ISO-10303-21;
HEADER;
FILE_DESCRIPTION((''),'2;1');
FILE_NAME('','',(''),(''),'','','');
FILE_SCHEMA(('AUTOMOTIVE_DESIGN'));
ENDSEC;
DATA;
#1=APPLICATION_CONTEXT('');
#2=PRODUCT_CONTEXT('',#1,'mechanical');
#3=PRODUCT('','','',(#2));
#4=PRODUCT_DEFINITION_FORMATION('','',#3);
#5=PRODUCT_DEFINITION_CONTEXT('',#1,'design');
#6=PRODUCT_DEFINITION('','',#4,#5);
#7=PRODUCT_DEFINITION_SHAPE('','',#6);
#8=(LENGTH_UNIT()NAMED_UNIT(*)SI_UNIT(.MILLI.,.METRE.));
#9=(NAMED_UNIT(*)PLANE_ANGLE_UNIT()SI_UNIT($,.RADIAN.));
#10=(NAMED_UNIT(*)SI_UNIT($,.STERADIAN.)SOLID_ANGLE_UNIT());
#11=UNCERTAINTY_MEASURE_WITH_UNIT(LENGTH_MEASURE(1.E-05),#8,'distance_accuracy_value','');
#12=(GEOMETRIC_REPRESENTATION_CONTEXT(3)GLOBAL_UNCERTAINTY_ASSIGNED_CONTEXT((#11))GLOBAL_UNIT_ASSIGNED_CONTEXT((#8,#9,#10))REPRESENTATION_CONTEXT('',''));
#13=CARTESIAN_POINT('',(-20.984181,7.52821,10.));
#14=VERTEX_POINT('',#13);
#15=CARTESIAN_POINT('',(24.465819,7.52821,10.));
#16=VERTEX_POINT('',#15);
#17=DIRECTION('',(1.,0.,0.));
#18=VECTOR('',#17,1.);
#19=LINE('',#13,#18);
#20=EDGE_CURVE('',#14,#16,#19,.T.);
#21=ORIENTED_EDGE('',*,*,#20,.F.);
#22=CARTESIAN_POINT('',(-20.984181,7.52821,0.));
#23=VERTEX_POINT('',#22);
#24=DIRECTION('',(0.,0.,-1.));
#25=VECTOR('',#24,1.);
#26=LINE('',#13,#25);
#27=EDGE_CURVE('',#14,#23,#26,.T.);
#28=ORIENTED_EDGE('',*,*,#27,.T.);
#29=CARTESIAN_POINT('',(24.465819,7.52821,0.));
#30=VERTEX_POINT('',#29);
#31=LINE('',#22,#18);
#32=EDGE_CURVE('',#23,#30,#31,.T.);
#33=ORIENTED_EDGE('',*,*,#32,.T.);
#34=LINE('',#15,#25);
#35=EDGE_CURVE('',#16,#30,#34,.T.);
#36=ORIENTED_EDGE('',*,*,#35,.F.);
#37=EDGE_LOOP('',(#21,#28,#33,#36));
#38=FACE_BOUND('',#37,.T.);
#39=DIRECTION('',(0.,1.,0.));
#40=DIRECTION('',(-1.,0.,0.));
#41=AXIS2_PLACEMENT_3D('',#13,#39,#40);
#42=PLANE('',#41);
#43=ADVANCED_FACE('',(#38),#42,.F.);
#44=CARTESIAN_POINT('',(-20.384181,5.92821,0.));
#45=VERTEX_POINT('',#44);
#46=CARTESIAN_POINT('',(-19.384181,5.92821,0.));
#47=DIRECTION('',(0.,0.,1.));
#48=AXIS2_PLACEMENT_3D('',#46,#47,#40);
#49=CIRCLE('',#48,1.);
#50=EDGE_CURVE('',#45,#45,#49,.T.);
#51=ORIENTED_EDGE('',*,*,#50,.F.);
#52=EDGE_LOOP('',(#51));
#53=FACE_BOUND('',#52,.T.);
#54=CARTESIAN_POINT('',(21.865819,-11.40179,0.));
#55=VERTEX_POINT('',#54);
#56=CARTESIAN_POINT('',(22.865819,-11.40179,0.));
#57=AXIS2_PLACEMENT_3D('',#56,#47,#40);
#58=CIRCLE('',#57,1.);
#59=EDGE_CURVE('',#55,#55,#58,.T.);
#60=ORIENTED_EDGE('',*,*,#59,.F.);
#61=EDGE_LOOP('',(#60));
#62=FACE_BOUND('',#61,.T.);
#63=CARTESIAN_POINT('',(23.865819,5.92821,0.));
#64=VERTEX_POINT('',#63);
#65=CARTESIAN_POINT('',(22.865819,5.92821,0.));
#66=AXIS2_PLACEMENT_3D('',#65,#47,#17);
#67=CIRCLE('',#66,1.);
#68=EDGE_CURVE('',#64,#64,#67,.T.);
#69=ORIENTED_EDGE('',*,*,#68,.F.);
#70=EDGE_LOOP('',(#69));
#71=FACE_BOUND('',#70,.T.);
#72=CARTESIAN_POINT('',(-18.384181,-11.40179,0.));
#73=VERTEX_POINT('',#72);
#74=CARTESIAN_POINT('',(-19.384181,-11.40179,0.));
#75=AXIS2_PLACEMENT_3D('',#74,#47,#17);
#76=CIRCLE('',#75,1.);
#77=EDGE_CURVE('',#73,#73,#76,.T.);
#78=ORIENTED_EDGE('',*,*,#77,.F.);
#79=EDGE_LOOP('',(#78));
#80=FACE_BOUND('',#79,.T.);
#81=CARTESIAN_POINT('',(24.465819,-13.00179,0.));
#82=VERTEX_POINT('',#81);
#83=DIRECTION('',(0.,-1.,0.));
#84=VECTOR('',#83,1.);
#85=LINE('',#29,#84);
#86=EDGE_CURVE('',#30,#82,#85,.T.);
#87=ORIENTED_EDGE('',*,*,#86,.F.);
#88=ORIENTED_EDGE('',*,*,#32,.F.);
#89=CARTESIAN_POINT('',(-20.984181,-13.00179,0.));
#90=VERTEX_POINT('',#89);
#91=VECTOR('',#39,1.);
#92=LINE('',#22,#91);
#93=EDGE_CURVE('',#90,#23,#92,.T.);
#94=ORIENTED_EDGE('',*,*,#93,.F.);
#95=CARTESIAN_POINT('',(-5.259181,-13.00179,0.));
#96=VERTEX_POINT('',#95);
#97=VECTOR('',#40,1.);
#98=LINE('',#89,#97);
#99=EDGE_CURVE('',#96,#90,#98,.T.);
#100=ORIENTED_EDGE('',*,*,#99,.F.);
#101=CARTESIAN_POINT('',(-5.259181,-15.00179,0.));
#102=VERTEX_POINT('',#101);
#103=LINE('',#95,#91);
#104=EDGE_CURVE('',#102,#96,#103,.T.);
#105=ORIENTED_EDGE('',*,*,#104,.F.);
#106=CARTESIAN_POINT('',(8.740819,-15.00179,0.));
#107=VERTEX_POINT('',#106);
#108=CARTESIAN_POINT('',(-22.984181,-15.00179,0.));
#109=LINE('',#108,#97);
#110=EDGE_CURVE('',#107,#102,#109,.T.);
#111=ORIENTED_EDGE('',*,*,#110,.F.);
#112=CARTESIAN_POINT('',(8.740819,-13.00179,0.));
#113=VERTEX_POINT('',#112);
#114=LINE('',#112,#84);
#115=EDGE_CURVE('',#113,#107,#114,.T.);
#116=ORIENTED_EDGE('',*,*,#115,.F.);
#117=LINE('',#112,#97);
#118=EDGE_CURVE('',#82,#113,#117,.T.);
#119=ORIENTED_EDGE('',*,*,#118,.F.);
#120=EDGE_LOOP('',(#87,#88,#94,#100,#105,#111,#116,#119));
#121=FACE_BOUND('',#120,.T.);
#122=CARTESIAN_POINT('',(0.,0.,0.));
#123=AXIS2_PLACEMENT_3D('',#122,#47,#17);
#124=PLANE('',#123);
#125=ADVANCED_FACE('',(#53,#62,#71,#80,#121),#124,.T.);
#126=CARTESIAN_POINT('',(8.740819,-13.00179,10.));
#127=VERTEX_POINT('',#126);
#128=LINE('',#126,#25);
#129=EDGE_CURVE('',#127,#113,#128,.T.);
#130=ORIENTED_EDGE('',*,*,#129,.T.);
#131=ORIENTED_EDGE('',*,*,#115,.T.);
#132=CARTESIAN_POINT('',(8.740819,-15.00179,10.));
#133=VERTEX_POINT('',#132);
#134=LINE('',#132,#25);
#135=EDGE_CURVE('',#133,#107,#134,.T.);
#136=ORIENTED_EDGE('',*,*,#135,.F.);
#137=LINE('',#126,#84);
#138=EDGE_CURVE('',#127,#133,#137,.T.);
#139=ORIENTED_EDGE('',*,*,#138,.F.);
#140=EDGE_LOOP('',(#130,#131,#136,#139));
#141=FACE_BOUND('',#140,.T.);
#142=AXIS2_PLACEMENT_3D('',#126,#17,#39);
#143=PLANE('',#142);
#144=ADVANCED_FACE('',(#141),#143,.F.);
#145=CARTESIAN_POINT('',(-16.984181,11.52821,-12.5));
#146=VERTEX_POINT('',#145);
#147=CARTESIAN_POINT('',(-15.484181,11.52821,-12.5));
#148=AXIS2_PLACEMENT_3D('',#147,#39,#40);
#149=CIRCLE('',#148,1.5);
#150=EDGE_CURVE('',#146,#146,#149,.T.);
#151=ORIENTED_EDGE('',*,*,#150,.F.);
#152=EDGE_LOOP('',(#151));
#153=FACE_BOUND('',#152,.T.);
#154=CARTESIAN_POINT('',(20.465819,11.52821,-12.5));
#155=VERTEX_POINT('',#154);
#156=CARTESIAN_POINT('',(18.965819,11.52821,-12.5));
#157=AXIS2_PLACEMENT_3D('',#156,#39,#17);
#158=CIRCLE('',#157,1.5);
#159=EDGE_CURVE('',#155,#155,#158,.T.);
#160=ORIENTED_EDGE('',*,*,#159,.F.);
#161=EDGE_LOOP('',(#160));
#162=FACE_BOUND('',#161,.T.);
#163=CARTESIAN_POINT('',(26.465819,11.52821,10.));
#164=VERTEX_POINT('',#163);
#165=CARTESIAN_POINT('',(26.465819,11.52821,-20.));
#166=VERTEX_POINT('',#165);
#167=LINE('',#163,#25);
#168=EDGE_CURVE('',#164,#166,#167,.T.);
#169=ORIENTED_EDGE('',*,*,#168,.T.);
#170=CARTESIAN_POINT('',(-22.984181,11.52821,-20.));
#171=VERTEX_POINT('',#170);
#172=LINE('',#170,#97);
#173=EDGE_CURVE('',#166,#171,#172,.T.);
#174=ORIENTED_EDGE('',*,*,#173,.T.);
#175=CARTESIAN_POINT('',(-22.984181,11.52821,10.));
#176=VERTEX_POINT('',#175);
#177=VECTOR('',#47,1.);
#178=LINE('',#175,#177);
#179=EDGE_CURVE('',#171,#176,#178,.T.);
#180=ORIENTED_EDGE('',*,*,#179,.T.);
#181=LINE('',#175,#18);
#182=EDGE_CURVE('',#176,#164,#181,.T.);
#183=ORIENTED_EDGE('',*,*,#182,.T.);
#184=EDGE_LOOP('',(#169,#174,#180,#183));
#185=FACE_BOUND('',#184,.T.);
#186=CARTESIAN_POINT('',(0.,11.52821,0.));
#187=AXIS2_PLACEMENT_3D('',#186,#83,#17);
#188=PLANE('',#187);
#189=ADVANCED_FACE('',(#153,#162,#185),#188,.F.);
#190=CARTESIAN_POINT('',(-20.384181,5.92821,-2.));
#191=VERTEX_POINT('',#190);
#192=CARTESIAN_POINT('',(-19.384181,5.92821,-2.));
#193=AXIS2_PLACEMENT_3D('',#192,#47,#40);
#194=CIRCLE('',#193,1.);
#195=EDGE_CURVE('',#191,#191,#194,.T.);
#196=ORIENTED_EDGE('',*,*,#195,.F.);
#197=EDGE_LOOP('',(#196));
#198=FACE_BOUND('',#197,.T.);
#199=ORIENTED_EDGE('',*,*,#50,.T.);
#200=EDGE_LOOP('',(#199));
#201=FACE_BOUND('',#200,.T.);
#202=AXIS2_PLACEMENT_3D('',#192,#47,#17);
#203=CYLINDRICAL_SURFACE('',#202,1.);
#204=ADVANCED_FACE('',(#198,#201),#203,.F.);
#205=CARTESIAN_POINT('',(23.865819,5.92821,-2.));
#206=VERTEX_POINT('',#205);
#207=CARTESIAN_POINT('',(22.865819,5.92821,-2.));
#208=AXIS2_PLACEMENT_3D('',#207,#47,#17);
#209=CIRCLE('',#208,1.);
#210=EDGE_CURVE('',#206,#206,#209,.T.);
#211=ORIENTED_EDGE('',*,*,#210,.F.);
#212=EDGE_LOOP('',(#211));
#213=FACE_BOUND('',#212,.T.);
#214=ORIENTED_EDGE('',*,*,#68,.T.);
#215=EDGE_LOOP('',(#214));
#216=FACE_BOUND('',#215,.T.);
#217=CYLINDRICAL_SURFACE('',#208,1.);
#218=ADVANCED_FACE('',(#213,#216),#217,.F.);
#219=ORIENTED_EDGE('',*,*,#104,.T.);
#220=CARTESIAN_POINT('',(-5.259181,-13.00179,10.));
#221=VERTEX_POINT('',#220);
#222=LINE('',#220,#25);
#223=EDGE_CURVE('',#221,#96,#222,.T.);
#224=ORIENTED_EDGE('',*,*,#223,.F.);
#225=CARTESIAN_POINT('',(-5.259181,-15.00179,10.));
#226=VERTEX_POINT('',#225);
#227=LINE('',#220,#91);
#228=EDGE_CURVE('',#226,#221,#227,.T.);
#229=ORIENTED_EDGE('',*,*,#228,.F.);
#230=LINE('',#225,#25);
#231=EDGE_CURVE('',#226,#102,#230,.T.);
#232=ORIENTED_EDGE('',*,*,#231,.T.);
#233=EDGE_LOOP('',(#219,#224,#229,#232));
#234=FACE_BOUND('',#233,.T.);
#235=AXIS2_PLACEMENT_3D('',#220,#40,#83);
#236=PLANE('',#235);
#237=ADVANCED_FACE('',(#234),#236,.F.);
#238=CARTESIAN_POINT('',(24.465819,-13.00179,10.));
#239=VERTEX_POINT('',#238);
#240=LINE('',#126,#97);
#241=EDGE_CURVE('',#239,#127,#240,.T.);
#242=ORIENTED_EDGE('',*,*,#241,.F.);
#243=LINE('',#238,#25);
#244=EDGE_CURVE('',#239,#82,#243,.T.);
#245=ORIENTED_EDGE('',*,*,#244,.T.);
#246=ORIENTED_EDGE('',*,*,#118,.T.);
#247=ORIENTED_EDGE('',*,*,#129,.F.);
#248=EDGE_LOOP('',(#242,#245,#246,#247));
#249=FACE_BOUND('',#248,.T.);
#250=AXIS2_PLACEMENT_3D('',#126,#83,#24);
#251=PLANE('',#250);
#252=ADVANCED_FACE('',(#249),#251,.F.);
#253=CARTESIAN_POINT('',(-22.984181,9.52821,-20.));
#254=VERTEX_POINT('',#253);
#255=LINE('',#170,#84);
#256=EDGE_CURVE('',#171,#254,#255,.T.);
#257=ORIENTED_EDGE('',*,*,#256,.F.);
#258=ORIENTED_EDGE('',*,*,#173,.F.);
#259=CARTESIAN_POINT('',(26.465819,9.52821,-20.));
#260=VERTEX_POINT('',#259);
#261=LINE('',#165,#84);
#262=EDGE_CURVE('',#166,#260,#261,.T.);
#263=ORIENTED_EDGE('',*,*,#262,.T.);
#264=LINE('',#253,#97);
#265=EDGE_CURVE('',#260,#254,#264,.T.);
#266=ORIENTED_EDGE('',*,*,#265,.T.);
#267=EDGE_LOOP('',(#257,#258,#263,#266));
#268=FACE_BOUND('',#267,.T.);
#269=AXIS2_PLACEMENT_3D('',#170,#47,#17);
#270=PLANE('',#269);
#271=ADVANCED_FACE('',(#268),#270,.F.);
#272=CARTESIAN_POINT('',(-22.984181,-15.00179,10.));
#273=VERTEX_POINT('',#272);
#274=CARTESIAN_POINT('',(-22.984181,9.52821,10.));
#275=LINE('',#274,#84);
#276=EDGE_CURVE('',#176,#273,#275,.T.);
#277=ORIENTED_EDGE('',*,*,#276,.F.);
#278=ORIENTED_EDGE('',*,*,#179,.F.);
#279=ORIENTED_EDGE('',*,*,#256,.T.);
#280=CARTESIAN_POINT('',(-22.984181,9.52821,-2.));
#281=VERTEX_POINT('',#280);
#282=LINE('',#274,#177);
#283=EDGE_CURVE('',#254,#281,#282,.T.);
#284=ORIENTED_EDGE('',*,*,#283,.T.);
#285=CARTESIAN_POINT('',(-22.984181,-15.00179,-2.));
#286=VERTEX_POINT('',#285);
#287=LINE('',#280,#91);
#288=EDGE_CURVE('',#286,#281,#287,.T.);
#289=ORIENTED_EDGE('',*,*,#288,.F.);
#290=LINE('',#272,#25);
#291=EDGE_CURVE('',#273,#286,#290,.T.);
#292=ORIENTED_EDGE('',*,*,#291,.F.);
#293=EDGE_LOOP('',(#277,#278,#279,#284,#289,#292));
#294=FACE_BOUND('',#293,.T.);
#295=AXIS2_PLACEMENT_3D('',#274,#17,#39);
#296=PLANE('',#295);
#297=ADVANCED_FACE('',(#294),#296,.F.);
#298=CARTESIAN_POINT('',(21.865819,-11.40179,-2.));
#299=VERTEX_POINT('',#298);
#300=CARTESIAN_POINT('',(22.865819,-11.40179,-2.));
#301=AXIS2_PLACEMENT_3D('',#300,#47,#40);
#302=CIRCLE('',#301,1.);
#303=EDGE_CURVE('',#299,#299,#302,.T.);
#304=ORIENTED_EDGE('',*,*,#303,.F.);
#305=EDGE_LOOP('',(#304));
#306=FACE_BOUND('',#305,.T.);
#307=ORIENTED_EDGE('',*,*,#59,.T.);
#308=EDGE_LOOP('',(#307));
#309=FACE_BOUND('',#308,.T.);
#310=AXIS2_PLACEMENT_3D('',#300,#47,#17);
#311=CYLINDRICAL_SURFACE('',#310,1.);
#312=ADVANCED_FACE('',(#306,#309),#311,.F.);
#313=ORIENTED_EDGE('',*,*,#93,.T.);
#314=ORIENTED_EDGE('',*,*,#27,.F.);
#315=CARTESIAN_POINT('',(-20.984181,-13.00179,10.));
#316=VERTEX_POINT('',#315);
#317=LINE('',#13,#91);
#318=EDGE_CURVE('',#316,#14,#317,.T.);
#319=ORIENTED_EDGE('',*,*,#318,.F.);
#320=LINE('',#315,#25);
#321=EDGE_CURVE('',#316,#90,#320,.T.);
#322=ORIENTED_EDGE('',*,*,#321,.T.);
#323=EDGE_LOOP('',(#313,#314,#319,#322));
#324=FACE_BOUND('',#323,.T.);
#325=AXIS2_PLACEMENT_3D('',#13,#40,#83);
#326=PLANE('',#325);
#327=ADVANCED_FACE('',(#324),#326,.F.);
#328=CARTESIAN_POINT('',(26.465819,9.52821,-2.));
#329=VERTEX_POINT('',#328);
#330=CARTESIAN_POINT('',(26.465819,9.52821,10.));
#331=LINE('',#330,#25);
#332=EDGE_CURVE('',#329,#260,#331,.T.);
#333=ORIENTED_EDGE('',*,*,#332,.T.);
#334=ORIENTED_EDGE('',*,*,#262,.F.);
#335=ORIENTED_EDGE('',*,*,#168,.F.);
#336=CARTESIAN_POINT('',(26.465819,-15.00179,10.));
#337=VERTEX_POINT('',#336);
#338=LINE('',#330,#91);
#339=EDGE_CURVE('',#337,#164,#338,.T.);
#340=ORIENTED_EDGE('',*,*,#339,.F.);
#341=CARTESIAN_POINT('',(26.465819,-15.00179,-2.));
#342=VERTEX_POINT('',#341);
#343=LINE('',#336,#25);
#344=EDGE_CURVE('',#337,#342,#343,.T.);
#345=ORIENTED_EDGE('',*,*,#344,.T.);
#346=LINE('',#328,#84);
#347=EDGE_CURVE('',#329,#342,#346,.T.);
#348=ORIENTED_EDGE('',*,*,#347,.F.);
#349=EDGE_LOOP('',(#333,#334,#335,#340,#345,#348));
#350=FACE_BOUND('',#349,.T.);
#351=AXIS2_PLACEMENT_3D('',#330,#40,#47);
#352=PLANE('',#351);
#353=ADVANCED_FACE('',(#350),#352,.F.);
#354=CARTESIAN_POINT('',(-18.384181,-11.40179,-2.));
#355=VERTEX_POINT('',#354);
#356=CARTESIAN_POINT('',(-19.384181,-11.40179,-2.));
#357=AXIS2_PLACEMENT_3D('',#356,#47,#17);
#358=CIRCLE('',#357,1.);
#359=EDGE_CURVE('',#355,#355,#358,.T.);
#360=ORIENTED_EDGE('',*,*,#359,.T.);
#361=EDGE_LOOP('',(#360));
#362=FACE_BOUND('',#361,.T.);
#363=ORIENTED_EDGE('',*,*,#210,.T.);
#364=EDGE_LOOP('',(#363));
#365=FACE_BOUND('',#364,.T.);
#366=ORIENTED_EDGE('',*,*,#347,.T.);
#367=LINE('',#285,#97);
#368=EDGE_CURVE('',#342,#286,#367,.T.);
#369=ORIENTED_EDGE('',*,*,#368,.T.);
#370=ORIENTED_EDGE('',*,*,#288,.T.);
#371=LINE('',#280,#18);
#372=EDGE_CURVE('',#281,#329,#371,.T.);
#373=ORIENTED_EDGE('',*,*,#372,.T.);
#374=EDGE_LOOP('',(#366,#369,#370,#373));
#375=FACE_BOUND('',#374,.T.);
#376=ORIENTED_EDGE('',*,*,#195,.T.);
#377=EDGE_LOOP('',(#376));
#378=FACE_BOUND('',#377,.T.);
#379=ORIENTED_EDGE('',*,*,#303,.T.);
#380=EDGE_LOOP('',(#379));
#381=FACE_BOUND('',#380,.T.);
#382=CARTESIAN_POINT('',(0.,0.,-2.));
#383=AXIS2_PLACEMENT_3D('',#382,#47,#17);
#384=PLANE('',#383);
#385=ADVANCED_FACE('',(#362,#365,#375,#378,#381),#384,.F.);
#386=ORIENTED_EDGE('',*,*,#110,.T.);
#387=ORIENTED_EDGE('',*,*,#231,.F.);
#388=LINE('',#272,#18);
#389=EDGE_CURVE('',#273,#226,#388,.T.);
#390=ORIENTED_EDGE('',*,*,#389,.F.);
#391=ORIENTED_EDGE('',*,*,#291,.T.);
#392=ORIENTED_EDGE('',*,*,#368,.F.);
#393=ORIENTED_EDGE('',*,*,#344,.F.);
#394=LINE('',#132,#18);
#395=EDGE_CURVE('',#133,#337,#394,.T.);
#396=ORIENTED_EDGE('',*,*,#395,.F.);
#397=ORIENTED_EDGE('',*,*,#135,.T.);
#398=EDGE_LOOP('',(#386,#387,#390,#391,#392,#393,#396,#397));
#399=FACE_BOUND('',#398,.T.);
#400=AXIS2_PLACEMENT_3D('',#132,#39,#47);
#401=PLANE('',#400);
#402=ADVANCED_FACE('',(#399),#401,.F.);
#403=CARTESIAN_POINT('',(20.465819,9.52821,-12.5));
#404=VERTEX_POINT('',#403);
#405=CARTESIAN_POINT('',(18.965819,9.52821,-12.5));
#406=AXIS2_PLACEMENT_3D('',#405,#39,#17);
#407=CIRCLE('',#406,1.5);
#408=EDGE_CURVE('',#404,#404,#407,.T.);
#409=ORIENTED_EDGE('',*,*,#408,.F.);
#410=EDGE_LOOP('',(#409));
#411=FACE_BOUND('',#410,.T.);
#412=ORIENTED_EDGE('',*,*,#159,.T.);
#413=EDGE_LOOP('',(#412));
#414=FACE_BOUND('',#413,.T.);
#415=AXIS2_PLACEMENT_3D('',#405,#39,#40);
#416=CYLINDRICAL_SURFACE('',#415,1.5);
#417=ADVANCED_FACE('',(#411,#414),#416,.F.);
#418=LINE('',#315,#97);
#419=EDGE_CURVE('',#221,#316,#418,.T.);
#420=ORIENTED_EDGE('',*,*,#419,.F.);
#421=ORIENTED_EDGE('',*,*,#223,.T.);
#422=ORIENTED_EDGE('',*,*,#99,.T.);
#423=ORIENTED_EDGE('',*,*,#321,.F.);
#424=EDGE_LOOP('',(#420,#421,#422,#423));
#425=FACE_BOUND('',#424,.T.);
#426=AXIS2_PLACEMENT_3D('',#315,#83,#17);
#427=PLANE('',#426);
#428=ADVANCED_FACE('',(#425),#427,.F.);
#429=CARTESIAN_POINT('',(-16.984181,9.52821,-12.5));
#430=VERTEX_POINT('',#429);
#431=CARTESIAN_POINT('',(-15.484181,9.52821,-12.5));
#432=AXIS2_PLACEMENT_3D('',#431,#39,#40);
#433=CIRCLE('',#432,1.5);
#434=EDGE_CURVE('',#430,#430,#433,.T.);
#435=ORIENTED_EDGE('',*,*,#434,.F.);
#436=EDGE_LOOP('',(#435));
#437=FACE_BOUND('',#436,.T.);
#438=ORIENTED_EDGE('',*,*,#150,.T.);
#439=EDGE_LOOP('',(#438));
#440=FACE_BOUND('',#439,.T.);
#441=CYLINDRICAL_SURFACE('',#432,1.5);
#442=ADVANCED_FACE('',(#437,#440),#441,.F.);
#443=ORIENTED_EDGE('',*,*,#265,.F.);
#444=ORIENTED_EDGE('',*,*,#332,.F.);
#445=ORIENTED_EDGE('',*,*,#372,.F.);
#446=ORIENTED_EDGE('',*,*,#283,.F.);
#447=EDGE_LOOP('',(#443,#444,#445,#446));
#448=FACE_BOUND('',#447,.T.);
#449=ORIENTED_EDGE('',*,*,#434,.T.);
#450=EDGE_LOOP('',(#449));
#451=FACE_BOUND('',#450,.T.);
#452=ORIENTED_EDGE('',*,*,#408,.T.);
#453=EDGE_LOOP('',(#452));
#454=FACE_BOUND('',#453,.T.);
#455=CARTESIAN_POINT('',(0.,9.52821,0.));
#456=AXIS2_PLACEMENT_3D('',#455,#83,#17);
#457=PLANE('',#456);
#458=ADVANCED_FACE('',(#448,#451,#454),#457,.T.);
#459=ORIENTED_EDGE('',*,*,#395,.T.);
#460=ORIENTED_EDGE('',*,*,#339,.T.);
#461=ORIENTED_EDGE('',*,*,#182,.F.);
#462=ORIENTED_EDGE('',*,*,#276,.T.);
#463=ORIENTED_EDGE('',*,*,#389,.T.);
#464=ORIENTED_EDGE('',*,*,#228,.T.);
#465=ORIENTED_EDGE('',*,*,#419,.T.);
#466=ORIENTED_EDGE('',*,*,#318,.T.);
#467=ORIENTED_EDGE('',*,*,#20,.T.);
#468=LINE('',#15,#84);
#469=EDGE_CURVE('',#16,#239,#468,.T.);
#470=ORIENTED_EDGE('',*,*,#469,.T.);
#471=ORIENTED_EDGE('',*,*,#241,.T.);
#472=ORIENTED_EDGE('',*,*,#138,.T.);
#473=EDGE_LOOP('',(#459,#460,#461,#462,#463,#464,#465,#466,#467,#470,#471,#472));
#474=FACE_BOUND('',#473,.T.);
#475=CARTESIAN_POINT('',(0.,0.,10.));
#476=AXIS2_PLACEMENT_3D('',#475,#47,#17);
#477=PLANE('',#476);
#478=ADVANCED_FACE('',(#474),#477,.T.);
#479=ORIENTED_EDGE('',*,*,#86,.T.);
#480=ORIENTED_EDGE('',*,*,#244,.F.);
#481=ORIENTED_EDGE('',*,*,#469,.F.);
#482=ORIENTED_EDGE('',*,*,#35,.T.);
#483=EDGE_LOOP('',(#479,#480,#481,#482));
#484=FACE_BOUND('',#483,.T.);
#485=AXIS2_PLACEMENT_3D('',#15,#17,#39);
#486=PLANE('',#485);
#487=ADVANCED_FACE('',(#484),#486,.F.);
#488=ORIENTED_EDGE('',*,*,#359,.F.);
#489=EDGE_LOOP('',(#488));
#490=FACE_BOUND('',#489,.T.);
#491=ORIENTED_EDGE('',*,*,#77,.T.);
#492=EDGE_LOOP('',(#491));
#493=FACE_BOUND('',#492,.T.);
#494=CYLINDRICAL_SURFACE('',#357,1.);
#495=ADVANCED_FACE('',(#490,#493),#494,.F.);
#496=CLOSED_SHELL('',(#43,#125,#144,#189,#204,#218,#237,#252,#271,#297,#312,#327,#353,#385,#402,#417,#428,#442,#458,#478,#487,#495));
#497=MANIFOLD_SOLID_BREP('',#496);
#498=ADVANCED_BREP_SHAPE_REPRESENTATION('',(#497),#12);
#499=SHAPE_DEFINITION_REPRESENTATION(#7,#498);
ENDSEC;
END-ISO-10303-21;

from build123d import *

# Parameters (mm, degrees)
BOSS_EXTRU_1_DEPTH      = 10
ESQUISSE2_W             = 49.45
ESQUISSE2_H             = 24.53
BOSS_EXTRU_2_DEPTH      = 2
ESQUISSE3_R             = 1
ENL_V_MAT_EXTRU_1_DEPTH = 2
ESQUISSE7_W             = 49.45
ESQUISSE7_H             = 30
BOSS_EXTRU_3_DEPTH      = 2
ESQUISSE8_R             = 1.5
ENL_V_MAT_EXTRU_2_DEPTH = 2


with BuildPart() as part:
    # Esquisse1 → Boss.-Extru.1 (new body)
    with BuildSketch(Plane.XY):
        Polygon((8.740819068, -15.001789588), (26.465819068, -15.001789588), (26.465819068, 9.528210412), (-22.984180932, 9.528210412), (-22.984180932, -15.001789588), (-5.259180932, -15.001789588), (-5.259180932, -13.001789588), (-20.984180932, -13.001789588), (-20.984180932, 7.528210412), (24.465819068, 7.528210412), (24.465819068, -13.001789588), (8.740819068, -13.001789588), align=None)
    extrude(amount=BOSS_EXTRU_1_DEPTH)

    # Esquisse2 → Boss.-Extru.2 (add)
    with BuildSketch(Plane(origin=(0, 0, 0), x_dir=(-1, 0, 0), z_dir=(0, 0, -1))):
        with Locations((-1.740819068, -2.736789588)):
            Rectangle(ESQUISSE2_W, ESQUISSE2_H)
    extrude(amount=BOSS_EXTRU_2_DEPTH)

    # Esquisse3 → Enlèv. mat.-Extru.1 (cut)
    with BuildSketch(Plane.XY):
        with Locations((-19.384180932, -11.401789588)):
            Circle(ESQUISSE3_R)
        with Locations(Location((22.865819068, -11.401789588, 0), (0, 0, 180))):
            Circle(ESQUISSE3_R)
        with Locations((22.865819068, 5.928210412)):
            Circle(ESQUISSE3_R)
        with Locations(Location((-19.384180932, 5.928210412, 0), (0, 0, 180))):
            Circle(ESQUISSE3_R)
    extrude(amount=-ENL_V_MAT_EXTRU_1_DEPTH, mode=Mode.SUBTRACT)

    # Esquisse7 → Boss.-Extru.3 (add)
    with BuildSketch(Plane(origin=(0, 9.528210412, 0), x_dir=(1, 0, 0), z_dir=(0, 1, 0))):
        with Locations((1.740819068, 5)):
            Rectangle(ESQUISSE7_W, ESQUISSE7_H)
    extrude(amount=BOSS_EXTRU_3_DEPTH)

    # Esquisse8 → Enlèv. mat.-Extru.2 (cut)
    with BuildSketch(Plane(origin=(0, 11.528210412, 0), x_dir=(1, 0, 0), z_dir=(0, 1, 0))):
        with Locations(Location((-15.484180932, 12.5, 0), (0, 0, 180))):
            Circle(ESQUISSE8_R)
        with Locations((18.965819068, 12.5)):
            Circle(ESQUISSE8_R)
    extrude(amount=-ENL_V_MAT_EXTRU_2_DEPTH, mode=Mode.SUBTRACT)


solid = part.part
